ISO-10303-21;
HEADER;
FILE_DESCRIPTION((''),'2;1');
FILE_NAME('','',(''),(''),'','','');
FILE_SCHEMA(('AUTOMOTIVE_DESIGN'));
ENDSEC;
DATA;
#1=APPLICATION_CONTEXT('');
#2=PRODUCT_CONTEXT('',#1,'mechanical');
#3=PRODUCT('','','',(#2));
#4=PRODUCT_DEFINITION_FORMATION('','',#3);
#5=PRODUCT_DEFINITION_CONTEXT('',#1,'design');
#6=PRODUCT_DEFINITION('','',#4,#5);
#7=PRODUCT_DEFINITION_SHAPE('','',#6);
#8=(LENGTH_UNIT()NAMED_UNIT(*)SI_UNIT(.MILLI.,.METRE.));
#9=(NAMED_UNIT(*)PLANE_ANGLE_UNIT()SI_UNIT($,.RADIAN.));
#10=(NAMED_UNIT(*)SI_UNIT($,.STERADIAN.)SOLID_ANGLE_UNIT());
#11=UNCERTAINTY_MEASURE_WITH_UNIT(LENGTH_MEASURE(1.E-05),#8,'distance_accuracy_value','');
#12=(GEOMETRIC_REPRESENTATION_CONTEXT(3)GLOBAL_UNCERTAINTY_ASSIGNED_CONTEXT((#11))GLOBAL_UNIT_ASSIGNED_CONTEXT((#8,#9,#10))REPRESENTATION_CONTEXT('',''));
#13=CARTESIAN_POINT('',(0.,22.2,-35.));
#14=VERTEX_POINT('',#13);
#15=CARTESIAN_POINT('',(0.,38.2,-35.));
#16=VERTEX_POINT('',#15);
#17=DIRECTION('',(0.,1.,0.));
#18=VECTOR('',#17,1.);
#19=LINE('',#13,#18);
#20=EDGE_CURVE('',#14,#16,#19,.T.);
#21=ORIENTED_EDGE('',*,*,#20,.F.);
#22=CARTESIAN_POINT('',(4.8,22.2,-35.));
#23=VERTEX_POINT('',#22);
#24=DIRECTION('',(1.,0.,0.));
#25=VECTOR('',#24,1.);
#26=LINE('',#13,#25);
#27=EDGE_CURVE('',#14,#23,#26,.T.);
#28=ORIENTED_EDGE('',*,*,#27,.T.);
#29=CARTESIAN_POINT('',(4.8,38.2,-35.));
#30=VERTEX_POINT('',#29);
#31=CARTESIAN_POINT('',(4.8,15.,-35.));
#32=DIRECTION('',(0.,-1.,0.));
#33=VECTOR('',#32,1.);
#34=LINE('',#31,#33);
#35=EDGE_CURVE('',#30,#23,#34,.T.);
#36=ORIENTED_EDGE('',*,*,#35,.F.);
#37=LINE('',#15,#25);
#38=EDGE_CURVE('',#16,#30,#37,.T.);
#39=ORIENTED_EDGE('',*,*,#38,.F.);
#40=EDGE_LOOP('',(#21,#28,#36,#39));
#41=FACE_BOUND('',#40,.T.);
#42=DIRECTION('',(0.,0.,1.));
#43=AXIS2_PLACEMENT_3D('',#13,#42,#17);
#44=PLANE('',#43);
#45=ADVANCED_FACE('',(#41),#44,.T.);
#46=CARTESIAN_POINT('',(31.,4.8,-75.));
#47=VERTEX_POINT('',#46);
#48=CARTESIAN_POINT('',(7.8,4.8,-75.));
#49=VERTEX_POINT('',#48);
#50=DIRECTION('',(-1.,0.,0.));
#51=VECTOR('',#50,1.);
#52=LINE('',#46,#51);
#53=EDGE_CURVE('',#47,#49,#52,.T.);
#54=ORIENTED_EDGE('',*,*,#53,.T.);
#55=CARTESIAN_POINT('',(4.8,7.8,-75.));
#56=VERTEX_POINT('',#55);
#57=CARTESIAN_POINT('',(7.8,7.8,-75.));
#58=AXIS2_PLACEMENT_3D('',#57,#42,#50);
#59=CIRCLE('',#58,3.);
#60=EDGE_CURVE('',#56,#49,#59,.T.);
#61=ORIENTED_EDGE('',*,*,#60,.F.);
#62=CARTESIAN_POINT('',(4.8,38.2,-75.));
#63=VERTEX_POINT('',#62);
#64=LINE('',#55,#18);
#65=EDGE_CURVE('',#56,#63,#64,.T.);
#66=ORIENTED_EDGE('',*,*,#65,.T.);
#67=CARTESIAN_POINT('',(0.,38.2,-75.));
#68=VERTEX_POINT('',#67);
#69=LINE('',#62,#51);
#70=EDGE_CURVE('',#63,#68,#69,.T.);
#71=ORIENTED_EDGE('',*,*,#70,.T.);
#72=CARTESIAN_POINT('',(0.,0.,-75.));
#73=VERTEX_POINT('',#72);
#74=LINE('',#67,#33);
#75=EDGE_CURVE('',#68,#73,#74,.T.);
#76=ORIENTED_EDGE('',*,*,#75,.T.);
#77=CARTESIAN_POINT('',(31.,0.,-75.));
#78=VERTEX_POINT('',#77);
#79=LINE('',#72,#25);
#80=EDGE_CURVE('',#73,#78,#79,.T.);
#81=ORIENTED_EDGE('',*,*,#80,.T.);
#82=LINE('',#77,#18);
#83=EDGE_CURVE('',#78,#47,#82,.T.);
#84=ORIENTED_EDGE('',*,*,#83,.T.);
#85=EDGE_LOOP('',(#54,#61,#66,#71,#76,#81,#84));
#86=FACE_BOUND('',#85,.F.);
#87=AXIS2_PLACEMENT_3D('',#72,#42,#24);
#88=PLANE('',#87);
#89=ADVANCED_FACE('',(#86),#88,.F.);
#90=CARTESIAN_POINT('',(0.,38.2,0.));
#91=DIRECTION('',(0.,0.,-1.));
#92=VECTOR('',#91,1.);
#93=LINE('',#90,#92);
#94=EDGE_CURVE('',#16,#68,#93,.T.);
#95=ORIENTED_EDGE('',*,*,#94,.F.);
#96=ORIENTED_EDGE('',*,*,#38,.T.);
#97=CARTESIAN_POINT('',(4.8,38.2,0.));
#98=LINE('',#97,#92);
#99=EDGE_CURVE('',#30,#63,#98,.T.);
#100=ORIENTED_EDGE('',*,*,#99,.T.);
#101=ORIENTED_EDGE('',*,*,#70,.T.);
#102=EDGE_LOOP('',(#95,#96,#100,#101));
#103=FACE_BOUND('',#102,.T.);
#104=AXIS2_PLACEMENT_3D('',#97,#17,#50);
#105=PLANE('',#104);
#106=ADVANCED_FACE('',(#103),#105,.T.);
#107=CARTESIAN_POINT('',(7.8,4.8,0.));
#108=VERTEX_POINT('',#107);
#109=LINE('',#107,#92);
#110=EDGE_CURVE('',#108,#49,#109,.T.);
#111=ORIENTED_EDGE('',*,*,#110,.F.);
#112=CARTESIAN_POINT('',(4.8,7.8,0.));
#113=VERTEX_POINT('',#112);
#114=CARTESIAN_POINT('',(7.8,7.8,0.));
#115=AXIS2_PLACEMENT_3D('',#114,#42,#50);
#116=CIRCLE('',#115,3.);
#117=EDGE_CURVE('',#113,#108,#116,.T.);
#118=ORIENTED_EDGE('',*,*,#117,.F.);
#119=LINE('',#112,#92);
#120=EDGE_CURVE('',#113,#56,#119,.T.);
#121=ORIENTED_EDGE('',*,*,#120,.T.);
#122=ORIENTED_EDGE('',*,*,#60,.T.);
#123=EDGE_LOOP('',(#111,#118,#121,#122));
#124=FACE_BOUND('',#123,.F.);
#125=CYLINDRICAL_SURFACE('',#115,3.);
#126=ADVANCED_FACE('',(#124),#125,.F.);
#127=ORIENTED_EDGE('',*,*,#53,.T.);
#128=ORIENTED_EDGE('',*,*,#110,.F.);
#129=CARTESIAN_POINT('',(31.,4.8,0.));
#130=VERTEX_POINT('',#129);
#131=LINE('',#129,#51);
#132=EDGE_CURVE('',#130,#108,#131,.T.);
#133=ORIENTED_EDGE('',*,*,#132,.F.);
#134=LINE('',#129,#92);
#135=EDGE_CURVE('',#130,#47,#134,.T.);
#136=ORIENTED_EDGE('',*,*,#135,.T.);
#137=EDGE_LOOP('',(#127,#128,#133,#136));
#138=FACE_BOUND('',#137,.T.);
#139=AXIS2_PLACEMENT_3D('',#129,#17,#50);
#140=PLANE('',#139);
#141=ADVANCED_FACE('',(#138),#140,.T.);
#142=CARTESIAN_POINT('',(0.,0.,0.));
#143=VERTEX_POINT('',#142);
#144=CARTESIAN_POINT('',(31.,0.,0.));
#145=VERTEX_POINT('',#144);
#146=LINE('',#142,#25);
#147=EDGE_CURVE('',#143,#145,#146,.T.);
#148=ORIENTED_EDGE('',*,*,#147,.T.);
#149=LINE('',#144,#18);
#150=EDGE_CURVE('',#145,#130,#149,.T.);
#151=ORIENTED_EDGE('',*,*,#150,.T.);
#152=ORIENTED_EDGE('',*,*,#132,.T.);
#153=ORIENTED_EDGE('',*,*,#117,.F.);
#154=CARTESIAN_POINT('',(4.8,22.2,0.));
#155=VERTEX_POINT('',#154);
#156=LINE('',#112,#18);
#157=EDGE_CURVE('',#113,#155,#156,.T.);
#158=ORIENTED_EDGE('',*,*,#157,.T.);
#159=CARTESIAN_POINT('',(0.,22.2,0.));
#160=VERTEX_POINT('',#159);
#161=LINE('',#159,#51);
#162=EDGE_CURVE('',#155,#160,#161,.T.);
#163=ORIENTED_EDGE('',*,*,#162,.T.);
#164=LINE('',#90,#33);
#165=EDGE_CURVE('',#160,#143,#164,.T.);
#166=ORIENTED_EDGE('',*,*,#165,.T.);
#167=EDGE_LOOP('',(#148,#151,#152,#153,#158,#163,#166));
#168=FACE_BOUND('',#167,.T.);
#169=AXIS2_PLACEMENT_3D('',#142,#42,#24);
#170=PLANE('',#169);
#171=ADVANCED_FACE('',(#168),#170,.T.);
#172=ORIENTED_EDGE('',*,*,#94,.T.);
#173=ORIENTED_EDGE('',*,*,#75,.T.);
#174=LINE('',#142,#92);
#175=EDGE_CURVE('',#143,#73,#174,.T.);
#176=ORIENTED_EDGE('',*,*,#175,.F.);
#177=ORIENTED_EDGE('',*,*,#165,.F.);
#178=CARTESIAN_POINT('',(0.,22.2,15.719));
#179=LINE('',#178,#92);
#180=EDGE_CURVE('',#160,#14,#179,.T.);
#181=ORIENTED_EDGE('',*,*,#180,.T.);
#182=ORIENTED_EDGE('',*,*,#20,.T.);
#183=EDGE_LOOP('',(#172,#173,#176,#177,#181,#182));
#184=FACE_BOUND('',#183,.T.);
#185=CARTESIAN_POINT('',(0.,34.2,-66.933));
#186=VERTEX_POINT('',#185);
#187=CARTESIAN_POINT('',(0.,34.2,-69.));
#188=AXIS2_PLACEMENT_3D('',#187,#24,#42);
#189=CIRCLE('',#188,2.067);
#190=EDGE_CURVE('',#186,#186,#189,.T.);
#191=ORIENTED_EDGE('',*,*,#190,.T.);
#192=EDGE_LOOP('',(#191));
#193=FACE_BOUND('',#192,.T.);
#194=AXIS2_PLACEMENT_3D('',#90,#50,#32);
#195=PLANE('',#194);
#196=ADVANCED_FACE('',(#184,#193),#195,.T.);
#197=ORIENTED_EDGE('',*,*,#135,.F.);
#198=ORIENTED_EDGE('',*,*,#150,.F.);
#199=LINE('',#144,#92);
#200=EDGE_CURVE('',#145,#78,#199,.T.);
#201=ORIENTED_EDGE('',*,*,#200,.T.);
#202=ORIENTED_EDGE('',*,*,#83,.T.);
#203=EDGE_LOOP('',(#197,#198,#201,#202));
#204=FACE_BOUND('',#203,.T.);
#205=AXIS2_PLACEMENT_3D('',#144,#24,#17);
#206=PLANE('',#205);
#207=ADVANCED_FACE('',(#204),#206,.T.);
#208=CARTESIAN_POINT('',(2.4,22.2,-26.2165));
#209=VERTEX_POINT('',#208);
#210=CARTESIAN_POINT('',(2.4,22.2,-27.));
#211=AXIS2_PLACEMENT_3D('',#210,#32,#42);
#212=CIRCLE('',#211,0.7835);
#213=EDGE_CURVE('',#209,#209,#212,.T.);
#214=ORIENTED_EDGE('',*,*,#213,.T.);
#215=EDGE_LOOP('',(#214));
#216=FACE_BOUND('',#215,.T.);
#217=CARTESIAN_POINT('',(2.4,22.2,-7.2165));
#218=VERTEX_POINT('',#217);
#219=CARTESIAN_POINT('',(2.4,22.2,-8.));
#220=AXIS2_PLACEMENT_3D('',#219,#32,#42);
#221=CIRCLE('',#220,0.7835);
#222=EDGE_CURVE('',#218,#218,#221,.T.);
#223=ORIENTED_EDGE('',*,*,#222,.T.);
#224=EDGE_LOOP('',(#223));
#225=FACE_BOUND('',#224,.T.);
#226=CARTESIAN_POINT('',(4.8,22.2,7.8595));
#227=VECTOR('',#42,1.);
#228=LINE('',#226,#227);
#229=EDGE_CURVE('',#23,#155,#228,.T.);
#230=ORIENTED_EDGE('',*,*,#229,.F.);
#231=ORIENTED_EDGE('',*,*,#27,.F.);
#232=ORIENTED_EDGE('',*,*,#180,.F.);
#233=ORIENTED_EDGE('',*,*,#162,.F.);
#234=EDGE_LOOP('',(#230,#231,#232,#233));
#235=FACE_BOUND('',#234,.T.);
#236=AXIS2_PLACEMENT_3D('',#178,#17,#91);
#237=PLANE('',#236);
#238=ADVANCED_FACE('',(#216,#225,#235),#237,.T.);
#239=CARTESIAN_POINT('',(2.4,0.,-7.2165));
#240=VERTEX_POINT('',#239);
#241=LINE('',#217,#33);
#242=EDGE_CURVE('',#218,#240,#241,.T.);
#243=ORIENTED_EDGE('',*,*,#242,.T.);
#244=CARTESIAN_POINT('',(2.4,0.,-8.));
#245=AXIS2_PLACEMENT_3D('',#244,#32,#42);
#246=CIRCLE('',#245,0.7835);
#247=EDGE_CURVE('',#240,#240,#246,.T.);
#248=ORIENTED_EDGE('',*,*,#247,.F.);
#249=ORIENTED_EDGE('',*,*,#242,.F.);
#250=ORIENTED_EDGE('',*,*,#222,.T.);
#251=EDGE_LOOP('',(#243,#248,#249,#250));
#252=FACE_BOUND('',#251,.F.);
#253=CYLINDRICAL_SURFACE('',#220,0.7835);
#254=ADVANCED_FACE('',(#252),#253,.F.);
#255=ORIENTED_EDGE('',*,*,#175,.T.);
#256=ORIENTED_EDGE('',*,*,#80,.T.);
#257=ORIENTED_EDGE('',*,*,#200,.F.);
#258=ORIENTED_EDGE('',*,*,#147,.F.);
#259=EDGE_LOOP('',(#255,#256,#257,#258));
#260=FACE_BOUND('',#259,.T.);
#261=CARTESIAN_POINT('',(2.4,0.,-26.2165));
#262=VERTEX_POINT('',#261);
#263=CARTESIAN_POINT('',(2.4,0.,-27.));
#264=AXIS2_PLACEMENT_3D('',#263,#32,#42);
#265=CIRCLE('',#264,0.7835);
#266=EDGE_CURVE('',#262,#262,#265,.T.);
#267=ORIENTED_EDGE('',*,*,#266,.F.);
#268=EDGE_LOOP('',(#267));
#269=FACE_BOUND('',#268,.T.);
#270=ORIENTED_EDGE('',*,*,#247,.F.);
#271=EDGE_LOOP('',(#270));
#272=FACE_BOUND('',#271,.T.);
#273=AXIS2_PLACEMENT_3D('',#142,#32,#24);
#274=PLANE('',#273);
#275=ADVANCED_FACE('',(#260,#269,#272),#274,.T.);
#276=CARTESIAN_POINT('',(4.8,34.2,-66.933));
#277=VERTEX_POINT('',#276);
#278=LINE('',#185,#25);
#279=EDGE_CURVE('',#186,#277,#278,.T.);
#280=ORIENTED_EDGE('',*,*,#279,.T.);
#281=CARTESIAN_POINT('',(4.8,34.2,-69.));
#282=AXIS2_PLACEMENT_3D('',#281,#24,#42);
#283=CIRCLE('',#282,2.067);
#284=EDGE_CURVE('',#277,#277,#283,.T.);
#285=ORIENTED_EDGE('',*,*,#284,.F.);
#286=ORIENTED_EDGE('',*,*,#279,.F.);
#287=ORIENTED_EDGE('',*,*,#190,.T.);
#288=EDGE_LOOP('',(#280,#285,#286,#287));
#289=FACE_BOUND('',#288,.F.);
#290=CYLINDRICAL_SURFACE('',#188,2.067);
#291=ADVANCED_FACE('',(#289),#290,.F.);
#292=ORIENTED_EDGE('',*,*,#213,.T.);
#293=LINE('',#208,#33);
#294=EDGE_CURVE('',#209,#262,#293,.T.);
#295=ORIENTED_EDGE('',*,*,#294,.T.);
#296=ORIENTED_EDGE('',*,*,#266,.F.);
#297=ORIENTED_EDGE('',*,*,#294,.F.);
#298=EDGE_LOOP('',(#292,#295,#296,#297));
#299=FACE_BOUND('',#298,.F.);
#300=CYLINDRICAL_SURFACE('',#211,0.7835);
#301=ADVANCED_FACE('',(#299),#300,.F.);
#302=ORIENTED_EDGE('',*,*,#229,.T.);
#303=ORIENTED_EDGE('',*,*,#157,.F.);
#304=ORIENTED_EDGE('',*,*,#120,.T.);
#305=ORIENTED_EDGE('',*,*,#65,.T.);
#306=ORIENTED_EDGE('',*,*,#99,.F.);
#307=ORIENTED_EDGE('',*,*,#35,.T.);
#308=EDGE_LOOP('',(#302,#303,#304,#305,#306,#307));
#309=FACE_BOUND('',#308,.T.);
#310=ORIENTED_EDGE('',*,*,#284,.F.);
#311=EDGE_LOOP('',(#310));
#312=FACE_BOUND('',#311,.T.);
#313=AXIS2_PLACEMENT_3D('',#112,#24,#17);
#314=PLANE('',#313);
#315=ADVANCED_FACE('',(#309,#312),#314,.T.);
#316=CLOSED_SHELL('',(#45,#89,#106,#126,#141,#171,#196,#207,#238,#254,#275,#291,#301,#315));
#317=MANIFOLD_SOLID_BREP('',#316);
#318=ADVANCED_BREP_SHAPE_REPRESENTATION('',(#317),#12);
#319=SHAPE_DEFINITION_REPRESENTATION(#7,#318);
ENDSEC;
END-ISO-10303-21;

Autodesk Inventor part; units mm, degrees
ref_plane "YZ Plane" through (0, 0, 0) normal (1, 0, 0) x (0, 1, 0)
ref_plane "XZ Plane" through (0, 0, 0) normal (0, 1, 0) x (-1, 0, 0)
ref_plane "XY Plane" through (0, 0, 0) normal (0, 0, 1) x (1, 0, 0)
sketch "Sketch1" plane through (0, 0, 0) normal (0, 0, 1) x (1, 0, 0)
  line L0 (0, 38.2) -> (0, 0)
  line L1 (0, 0) -> (31, 0)
  line L2 (31, 0) -> (31, 4.8)
  line L3 (31, 4.8) -> (7.8, 4.8)
  line L4 (4.8, 7.8) -> (4.8, 38.2)
  line L5 (4.8, 38.2) -> (0, 38.2)
  arc A0 (4.8, 7.8) -> (7.8, 4.8) centre (7.8, 7.8) ccw
  dimension "d0" = 31
  dimension "d1" = 38.2
  dimension "d2" = 4.8
  dimension "d3" = 4.8
  dimension "d4" = 3
extrude "Extrusion1" add sketch "Sketch1" against normal blind 75
sketch "Sketch2" plane through (0, 0, 0) normal (-1, 0, 0) x (0, 0, 1)
  line L0 (0, 38.2) -> (-75, 38.2) projected
  line L1 (-75, 0) -> (-75, 38.2) projected
  point P0 (-69, 34.2)
  dimension "d7" = 4
  dimension "d8" = 6
hole "Hole1" at (0, 34.2, -69) direction (1, 0, 0) diameter 4.134 end through all thread size "M5x0.8" class "6H" standard "ANSI Metric M Profile"
sketch "Sketch3" plane through (0, 0, 0) normal (-1, 0, 0) x (0, 0, 1)
  line L0 (0, 38.2) -> (-75, 38.2) projected
  line L1 (-75, 0) -> (-75, 38.2) projected
  line L2 (-35, 48.1735) -> (15.719, 48.1735)
  line L3 (15.719, 48.1735) -> (15.719, 22.2)
  line L4 (15.719, 22.2) -> (-35, 22.2)
  line L5 (-35, 22.2) -> (-35, 48.1735)
  dimension "d16" = 40
  dimension "d17" = 16
extrude "Extrusion2" cut sketch "Sketch3" against normal through all
sketch "Sketch4" plane through (0, 22.2, 0) normal (0, 1, 0) x (1, 0, 0)
  line L0 (4.8, 0) -> (0, 0) projected
  line L1 (0, 35) -> (4.8, 35) projected
  point P0 (2.4, 27)
  point P1 (2.4, 8)
  dimension "d20" = 8
  dimension "d21" = 8
hole "Hole2" at (2.4, 22.2, -27) at (2.4, 22.2, -8) direction (0, -1, 0) diameter 1.567 end through all thread size "M2x0.4" class "6H" standard "ISO Metric profile"
properties part number "Right Angle"
